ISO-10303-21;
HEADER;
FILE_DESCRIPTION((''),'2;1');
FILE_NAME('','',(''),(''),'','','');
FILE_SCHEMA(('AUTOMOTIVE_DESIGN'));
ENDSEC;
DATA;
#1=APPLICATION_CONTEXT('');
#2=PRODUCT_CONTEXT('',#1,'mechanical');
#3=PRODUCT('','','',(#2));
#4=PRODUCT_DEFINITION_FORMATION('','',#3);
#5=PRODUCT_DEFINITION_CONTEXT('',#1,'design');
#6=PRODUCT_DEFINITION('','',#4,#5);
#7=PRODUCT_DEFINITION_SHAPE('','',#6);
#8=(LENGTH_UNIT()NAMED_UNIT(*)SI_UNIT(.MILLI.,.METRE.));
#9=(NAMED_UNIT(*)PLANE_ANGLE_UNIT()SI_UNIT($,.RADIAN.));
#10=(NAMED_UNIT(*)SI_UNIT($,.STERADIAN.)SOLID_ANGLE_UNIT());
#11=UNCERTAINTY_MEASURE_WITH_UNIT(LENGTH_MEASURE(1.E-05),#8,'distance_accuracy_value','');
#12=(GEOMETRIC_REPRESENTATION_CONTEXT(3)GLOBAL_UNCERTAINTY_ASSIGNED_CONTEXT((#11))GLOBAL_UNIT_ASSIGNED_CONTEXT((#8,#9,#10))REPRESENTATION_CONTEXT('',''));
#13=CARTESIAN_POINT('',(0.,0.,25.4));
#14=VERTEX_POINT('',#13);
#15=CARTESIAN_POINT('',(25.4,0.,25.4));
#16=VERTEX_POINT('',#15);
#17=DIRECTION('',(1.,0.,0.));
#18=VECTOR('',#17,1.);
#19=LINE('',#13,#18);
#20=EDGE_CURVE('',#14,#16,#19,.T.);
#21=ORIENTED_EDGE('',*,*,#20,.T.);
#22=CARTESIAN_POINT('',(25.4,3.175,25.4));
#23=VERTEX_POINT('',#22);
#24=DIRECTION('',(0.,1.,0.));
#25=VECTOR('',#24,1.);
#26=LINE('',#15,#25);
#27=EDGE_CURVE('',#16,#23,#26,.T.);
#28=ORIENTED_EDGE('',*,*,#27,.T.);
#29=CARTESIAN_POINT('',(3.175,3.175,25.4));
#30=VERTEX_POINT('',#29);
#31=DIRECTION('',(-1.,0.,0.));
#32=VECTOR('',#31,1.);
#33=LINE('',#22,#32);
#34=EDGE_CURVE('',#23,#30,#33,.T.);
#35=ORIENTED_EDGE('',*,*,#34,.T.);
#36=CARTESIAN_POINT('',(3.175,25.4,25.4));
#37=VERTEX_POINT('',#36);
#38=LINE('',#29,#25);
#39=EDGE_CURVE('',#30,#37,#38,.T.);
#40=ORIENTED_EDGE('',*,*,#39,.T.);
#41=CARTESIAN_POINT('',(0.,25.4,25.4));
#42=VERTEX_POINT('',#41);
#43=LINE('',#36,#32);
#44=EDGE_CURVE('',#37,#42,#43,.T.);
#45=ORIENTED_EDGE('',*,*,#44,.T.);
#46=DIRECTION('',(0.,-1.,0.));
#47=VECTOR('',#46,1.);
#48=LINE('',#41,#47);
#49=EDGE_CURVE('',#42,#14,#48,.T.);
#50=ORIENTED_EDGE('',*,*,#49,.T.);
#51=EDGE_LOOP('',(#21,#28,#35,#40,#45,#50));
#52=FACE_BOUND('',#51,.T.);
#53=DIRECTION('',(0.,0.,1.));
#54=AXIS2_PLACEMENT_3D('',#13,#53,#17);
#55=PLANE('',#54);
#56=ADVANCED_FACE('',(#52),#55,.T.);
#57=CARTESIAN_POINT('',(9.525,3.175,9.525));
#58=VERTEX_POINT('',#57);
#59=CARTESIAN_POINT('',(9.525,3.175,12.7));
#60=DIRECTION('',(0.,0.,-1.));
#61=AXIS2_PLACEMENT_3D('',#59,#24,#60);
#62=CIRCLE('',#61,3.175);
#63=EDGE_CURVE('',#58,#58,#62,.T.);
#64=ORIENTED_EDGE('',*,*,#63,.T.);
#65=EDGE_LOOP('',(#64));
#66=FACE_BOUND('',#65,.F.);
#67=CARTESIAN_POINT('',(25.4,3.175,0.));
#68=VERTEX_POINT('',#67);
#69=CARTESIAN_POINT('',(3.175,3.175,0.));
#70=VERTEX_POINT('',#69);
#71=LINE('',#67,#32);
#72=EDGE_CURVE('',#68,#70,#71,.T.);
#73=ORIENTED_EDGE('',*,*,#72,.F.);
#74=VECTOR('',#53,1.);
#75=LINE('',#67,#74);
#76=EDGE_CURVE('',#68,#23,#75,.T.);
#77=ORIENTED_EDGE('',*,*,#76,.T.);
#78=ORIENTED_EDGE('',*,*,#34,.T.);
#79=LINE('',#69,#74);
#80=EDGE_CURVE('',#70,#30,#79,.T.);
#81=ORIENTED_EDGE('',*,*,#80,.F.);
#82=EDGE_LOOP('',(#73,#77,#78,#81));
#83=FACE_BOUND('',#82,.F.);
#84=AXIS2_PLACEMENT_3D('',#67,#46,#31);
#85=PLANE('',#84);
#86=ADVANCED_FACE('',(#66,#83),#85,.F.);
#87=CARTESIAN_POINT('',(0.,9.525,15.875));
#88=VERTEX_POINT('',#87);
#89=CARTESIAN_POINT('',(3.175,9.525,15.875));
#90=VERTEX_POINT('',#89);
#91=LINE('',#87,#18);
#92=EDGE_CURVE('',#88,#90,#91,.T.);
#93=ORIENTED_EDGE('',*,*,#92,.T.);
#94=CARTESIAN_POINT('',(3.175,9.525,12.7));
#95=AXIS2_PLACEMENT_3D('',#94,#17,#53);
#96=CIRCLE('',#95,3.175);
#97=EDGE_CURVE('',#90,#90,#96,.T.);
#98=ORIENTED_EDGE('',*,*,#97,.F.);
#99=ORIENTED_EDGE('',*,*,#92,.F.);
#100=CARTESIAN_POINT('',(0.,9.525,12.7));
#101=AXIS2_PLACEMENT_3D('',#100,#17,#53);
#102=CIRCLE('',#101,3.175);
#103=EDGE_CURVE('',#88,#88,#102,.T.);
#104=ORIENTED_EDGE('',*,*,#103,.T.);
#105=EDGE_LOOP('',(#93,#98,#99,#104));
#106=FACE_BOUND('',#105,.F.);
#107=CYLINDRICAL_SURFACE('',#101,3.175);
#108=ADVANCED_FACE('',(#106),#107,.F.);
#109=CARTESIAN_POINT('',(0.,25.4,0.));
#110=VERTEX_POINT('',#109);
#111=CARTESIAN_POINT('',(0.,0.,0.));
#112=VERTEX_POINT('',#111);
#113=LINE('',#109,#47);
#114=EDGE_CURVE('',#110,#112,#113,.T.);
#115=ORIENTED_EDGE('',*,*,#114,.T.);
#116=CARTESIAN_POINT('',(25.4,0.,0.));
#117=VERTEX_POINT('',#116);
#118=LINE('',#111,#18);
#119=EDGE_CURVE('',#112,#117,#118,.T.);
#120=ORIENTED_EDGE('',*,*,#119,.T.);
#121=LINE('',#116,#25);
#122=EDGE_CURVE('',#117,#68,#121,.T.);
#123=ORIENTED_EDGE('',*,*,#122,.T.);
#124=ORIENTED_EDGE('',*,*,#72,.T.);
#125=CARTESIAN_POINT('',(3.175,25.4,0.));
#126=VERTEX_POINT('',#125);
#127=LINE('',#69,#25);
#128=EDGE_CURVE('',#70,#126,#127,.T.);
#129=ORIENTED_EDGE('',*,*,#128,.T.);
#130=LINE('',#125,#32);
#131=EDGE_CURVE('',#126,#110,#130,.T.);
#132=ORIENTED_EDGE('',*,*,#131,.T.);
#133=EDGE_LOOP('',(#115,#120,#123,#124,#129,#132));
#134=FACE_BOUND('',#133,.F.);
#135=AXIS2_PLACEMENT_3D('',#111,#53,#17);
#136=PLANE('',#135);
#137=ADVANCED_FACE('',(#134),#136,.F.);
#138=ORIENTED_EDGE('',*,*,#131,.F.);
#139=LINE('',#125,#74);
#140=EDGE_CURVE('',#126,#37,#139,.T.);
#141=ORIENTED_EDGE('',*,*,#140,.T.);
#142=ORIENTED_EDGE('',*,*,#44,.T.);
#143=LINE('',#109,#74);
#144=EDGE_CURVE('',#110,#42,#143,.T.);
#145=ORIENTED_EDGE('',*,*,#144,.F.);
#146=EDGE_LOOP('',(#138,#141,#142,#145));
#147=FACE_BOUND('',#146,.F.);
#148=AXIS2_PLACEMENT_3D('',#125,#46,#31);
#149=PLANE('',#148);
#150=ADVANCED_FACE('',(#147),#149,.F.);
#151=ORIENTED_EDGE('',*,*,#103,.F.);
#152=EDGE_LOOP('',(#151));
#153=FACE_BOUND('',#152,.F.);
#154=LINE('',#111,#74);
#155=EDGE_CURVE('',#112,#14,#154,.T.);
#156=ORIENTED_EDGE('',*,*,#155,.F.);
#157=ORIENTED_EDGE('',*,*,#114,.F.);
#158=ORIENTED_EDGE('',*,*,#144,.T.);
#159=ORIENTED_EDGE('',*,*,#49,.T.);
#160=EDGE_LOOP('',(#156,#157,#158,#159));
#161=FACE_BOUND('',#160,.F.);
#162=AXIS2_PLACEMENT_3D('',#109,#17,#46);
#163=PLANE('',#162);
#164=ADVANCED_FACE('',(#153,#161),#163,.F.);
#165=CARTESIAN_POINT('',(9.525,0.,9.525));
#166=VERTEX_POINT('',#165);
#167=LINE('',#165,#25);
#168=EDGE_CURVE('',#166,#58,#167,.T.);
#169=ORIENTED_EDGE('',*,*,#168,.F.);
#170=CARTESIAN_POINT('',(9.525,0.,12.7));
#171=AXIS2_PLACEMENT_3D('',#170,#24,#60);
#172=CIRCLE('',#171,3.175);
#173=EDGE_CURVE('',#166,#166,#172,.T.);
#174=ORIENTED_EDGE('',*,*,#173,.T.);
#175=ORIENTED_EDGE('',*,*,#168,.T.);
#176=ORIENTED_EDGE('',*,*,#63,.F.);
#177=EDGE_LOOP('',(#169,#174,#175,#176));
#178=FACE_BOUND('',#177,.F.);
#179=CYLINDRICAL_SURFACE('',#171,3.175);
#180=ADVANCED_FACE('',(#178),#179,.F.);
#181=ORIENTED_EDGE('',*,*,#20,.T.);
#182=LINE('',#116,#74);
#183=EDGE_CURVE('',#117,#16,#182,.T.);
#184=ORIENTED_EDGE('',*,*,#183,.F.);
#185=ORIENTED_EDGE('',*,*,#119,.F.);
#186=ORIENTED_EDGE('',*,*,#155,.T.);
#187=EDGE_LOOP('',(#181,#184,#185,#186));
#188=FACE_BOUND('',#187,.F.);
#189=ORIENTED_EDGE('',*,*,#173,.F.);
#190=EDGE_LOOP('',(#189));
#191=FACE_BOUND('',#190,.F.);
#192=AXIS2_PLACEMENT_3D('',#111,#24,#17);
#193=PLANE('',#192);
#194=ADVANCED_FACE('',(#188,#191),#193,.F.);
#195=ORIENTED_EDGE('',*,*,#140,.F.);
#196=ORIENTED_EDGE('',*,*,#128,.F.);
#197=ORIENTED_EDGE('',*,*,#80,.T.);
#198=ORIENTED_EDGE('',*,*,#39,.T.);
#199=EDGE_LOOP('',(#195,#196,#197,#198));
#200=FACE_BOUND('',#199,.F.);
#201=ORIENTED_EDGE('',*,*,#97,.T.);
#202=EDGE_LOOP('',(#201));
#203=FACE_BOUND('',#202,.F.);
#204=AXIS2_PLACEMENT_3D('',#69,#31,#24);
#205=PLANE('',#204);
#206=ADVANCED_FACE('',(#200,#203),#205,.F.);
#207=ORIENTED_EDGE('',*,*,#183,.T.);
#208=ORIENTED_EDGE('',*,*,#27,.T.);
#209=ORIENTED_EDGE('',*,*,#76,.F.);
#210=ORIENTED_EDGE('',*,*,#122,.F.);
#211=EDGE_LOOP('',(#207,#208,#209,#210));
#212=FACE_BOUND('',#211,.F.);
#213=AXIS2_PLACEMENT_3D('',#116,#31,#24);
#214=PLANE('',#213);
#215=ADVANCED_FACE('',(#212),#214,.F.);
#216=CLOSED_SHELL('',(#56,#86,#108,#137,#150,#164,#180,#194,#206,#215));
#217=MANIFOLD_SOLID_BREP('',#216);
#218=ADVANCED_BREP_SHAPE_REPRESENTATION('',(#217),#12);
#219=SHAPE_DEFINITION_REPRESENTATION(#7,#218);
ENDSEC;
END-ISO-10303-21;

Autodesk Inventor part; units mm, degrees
ref_plane "YZ Plane" through (0, 0, 0) normal (1, 0, 0) x (0, 1, 0)
ref_plane "XZ Plane" through (0, 0, 0) normal (0, 1, 0) x (-1, 0, 0)
ref_plane "XY Plane" through (0, 0, 0) normal (0, 0, 1) x (1, 0, 0)
sketch "Sketch1" plane through (0, 0, 0) normal (0, 0, 1) x (1, 0, 0)
  line L0 (0, 0) -> (25.4, 0)
  line L1 (25.4, 0) -> (25.4, 3.175)
  line L2 (25.4, 3.175) -> (3.175, 3.175)
  line L3 (3.175, 3.175) -> (3.175, 25.4)
  line L4 (3.175, 25.4) -> (0, 25.4)
  line L5 (0, 25.4) -> (0, 0)
  dimension "d0" = 25.4
  dimension "d1" = 3.175
  dimension "d2" = 22.225
  dimension "d3" = 22.225
  dimension "d4" = 3.175
extrude "Extrusion1" add sketch "Sketch1" along normal blind 25.4
sketch "Sketch2" plane through (0, 0, 0) normal (0, -1, 0) x (1, 0, 0)
  line L0 (0, 0) -> (0, 25.4) projected
  line L1 (0, 12.7) -> (9.525, 12.7)
  dimension "d7" = 9.525
hole "Hole1" at (9.525, 0, 12.7) direction (0, 1, 0) diameter 6.35 end through all
sketch "Sketch3" plane through (0, 0, 0) normal (-1, 0, 0) x (0, 0, 1)
  line L0 (0, 0) -> (25.4, 0) projected
  line L1 (0, 25.4) -> (25.4, 25.4) projected
  line L2 (12.7, 0) -> (12.7, 9.525)
  dimension "d15" = 9.525
hole "Hole2" at (0, 9.525, 12.7) direction (1, 0, 0) diameter 6.35 end through all
properties part number "Other corner"
